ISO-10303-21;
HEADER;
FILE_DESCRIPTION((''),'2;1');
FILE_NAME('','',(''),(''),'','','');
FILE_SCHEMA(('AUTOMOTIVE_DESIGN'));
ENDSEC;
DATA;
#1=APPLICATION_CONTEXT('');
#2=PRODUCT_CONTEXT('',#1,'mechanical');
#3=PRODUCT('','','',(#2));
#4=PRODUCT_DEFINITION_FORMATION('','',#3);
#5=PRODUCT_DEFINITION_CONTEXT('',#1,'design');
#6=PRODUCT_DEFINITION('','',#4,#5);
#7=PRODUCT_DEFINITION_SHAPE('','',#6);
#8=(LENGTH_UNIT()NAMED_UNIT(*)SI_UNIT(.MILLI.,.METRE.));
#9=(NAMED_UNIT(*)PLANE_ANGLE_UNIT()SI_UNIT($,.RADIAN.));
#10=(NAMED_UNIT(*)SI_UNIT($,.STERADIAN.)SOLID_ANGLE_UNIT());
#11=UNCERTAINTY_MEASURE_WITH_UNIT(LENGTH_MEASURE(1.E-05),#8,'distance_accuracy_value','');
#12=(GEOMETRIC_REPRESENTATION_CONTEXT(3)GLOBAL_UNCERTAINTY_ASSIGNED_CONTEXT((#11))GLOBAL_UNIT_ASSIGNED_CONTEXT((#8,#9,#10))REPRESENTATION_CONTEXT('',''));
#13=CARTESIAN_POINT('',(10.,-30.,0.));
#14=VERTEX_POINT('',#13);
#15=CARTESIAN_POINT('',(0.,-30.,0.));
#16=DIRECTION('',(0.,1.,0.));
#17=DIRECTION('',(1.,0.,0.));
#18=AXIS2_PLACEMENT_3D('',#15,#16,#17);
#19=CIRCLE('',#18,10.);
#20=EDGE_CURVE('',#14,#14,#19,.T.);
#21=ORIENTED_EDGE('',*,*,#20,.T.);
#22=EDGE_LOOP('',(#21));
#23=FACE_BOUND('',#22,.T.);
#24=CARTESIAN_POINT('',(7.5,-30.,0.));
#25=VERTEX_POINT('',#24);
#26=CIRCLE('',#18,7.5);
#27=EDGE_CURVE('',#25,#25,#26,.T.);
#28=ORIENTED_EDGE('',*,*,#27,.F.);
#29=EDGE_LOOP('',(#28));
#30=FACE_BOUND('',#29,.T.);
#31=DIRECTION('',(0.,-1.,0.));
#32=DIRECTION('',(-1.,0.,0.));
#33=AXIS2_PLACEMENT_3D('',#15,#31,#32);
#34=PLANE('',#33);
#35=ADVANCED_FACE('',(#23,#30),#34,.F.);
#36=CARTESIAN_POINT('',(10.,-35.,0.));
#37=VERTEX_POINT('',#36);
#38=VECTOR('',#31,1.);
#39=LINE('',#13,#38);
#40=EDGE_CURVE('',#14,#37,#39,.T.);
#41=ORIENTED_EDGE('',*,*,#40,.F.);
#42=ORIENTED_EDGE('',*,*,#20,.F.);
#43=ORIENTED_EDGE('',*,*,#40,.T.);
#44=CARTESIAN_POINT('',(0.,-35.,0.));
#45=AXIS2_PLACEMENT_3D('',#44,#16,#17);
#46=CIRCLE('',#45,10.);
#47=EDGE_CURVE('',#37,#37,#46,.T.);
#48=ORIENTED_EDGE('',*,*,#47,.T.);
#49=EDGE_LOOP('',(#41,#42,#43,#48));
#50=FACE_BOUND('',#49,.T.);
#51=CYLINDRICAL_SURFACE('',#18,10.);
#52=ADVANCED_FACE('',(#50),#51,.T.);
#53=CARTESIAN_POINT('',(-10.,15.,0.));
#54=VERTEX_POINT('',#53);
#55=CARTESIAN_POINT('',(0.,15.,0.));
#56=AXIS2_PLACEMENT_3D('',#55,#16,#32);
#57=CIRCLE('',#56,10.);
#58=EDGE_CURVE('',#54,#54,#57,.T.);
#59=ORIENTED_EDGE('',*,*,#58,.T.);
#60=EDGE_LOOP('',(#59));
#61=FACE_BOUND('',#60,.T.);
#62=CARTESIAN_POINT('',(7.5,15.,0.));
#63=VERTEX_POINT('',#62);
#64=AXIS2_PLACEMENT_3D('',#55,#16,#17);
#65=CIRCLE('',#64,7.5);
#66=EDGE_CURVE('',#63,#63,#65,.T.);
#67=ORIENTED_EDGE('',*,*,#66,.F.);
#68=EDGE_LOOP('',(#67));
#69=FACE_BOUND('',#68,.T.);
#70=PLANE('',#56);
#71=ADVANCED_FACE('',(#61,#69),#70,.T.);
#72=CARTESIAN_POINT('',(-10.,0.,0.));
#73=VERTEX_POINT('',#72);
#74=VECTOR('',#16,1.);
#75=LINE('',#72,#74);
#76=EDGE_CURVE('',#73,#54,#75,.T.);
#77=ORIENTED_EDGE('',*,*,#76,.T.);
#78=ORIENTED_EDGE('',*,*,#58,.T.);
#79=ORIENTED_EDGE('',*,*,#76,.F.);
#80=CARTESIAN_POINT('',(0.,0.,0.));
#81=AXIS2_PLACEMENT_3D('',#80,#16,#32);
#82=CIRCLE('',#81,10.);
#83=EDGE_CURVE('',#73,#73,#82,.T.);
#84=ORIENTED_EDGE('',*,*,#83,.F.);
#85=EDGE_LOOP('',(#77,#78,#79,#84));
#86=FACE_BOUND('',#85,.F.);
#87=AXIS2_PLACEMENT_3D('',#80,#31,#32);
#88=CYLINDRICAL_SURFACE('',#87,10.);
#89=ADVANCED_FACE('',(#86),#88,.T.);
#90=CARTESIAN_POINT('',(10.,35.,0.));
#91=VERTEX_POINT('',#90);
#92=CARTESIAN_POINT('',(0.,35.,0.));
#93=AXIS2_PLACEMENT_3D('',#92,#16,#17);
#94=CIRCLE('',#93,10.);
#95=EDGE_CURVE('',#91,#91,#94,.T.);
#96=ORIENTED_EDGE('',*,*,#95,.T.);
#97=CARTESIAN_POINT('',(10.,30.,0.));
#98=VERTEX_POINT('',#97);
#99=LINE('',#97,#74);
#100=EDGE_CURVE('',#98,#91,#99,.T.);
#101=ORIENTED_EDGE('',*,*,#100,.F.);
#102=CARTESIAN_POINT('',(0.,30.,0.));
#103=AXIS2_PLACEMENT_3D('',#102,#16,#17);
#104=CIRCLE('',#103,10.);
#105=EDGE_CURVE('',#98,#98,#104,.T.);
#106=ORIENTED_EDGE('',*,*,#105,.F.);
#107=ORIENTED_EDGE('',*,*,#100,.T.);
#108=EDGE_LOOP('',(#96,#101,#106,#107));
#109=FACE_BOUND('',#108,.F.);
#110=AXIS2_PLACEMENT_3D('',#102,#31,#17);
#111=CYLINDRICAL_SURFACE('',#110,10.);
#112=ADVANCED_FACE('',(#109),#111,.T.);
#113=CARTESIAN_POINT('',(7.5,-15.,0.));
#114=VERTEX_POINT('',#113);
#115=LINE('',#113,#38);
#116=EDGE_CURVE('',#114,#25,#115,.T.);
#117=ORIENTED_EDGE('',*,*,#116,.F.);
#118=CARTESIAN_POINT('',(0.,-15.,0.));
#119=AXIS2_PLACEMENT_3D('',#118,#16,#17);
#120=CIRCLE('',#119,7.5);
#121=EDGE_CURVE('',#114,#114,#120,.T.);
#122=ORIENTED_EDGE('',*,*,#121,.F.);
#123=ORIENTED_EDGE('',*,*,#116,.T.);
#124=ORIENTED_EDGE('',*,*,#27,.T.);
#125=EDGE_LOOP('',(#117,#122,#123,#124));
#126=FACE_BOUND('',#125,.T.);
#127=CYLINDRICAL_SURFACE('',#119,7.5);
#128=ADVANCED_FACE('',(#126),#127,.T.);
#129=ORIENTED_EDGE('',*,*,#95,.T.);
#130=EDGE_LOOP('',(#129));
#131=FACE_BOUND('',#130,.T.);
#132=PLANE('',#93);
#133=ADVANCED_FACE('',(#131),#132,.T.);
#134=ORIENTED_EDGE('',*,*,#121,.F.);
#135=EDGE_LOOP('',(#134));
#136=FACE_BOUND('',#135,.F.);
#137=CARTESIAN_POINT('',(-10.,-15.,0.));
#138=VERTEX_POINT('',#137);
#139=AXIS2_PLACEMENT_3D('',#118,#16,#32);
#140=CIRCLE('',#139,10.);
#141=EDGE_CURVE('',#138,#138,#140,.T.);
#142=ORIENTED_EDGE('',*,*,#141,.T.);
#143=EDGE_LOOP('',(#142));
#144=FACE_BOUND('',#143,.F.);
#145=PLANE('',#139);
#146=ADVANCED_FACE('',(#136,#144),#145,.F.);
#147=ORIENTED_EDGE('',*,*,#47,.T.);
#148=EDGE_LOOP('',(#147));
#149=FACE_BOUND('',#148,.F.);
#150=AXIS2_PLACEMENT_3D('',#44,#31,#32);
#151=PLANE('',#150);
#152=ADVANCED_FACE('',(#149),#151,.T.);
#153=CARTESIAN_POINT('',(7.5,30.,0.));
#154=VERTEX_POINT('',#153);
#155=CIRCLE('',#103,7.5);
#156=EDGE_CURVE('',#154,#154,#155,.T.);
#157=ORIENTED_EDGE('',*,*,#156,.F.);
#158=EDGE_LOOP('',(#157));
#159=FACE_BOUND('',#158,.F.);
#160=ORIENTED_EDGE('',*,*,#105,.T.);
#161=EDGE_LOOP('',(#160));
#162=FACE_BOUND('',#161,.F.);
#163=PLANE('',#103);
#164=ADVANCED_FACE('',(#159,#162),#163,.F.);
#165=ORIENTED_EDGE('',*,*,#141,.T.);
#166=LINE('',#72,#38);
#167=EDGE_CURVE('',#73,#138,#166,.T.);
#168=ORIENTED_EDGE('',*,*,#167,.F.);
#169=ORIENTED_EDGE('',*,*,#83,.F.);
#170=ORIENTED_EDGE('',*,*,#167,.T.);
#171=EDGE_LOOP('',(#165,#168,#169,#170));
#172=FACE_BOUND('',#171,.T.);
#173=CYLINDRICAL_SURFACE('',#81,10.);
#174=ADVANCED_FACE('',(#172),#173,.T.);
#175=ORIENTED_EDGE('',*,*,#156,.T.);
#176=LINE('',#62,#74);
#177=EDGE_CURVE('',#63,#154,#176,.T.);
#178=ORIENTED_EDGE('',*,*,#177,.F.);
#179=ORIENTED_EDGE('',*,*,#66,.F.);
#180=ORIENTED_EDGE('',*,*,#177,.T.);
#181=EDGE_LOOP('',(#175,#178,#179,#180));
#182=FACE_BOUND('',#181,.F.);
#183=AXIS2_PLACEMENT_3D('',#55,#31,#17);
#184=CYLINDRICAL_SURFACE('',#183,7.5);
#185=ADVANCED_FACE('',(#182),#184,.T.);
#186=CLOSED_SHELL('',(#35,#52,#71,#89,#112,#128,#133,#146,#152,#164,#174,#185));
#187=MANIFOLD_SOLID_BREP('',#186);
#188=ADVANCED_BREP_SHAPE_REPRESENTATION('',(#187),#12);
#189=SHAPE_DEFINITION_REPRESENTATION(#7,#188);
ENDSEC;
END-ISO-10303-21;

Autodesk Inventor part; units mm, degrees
ref_plane "YZ Plane" through (0, 0, 0) normal (1, 0, 0) x (0, 1, 0)
ref_plane "XZ Plane" through (0, 0, 0) normal (0, 1, 0) x (-1, 0, 0)
ref_plane "XY Plane" through (0, 0, 0) normal (0, 0, 1) x (1, 0, 0)
sketch "Szkic1" plane through (0, 0, 0) normal (0, 1, 0) x (-1, 0, 0)
  circle A0 centre (0, 0) radius 10
  dimension "d0" = 20
extrude "Wyciągnięcie proste1" add sketch "Szkic1" along normal mid plane 30
sketch "Szkic2" plane through (0, 15, 0) normal (0, 1, 0) x (1, 0, 0)
  circle A0 centre (0, 0) radius 10 projected
  circle A1 centre (0, 0) radius 7.5
  dimension "d3" = 15
extrude "Wyciągnięcie proste2" add sketch "Szkic2" along normal blind 15 contours A1
sketch "Szkic3" plane through (0, 30, 0) normal (0, 1, 0) x (1, 0, 0)
  circle A0 centre (0, 0) radius 7.5 projected
  circle A1 centre (0, 0) radius 10
  dimension "d6" = 20
extrude "Wyciągnięcie proste3" add sketch "Szkic3" along normal blind 5 contours A0 | A1
mirror "Odbicie lustrzane1" about plane through (0, 0, 0) normal (0, 1, 0) of "Wyciągnięcie proste3", "Wyciągnięcie proste2"
sketch "Szkic4" plane through (0, 0, 0) normal (1, 0, 0) x (0, 1, 0)
  point P0 (0, 0)
properties part number "RevolvingConnector1" material "Aluminium 6061"
